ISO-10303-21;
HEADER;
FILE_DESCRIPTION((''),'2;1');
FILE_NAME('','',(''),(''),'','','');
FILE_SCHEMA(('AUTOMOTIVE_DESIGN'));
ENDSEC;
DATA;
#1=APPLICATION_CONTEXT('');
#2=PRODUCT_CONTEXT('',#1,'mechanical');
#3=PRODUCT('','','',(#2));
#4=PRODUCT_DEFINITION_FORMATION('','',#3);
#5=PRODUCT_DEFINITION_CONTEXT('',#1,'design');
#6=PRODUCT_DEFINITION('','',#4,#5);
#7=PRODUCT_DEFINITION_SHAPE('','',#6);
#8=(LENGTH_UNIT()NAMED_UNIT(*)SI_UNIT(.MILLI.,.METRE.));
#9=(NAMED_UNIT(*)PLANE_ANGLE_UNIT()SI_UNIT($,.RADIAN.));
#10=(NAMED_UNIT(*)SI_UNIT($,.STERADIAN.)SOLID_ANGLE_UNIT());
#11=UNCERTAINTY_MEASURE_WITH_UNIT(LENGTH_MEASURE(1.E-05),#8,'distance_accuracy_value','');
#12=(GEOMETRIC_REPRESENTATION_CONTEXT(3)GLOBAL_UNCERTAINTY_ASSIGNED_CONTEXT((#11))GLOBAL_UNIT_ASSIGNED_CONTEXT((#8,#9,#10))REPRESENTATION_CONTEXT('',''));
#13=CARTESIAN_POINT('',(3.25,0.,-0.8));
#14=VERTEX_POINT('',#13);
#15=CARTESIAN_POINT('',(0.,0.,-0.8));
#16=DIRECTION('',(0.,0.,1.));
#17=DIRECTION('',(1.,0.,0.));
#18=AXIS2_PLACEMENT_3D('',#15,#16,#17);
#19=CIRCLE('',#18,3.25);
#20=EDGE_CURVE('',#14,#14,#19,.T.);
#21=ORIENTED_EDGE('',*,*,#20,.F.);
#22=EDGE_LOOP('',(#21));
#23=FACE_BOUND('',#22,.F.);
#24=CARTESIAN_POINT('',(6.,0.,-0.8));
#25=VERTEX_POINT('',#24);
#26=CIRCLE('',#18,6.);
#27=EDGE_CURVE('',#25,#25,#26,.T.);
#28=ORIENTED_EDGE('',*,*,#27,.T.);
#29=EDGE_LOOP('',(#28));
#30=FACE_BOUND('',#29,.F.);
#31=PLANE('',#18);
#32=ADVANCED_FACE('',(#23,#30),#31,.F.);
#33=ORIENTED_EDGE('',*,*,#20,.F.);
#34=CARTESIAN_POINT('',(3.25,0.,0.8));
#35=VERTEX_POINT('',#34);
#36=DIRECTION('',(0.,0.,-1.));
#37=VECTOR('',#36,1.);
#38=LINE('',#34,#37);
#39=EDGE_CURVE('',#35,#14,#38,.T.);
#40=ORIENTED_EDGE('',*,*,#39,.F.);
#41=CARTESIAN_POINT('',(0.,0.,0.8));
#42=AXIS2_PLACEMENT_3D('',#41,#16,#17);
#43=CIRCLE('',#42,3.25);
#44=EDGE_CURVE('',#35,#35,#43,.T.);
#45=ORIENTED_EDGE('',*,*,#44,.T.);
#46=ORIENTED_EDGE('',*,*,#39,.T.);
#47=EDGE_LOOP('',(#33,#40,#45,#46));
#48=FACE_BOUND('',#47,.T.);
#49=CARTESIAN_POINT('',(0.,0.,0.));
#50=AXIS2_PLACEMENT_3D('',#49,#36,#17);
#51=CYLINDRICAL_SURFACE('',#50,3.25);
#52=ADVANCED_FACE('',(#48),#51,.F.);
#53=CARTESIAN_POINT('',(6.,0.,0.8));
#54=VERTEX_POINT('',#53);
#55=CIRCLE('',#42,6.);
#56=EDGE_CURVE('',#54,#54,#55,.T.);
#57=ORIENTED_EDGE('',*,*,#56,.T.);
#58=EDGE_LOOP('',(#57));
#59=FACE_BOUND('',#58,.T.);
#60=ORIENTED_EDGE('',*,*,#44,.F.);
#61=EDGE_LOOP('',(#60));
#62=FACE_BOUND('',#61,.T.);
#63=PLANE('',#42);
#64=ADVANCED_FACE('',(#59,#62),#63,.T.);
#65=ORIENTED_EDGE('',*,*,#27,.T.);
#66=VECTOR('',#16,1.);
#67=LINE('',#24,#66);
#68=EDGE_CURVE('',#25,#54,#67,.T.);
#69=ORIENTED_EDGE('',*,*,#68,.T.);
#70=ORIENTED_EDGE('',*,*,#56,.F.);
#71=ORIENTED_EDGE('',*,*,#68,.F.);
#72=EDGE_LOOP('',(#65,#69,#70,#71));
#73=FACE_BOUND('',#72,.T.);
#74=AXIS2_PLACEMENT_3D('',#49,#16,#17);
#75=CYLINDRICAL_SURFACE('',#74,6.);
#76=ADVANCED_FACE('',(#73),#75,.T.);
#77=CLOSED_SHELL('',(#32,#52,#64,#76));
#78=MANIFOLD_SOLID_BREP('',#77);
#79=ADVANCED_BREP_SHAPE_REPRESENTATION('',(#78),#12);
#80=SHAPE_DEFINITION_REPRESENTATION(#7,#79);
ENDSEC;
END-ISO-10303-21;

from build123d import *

# Parameters (mm, degrees)
ESQUISSE1_R        = 6
ESQUISSE1_R_2      = 3.25
BOSS_EXTRU_1_DEPTH = 0.8


with BuildPart() as part:
    # Esquisse1 → Boss.-Extru.1 (new body, symmetric)
    with BuildSketch(Plane.XY):
        Circle(ESQUISSE1_R)
        Circle(ESQUISSE1_R_2, mode=Mode.SUBTRACT)
    extrude(amount=BOSS_EXTRU_1_DEPTH, both=True)


solid = part.part
